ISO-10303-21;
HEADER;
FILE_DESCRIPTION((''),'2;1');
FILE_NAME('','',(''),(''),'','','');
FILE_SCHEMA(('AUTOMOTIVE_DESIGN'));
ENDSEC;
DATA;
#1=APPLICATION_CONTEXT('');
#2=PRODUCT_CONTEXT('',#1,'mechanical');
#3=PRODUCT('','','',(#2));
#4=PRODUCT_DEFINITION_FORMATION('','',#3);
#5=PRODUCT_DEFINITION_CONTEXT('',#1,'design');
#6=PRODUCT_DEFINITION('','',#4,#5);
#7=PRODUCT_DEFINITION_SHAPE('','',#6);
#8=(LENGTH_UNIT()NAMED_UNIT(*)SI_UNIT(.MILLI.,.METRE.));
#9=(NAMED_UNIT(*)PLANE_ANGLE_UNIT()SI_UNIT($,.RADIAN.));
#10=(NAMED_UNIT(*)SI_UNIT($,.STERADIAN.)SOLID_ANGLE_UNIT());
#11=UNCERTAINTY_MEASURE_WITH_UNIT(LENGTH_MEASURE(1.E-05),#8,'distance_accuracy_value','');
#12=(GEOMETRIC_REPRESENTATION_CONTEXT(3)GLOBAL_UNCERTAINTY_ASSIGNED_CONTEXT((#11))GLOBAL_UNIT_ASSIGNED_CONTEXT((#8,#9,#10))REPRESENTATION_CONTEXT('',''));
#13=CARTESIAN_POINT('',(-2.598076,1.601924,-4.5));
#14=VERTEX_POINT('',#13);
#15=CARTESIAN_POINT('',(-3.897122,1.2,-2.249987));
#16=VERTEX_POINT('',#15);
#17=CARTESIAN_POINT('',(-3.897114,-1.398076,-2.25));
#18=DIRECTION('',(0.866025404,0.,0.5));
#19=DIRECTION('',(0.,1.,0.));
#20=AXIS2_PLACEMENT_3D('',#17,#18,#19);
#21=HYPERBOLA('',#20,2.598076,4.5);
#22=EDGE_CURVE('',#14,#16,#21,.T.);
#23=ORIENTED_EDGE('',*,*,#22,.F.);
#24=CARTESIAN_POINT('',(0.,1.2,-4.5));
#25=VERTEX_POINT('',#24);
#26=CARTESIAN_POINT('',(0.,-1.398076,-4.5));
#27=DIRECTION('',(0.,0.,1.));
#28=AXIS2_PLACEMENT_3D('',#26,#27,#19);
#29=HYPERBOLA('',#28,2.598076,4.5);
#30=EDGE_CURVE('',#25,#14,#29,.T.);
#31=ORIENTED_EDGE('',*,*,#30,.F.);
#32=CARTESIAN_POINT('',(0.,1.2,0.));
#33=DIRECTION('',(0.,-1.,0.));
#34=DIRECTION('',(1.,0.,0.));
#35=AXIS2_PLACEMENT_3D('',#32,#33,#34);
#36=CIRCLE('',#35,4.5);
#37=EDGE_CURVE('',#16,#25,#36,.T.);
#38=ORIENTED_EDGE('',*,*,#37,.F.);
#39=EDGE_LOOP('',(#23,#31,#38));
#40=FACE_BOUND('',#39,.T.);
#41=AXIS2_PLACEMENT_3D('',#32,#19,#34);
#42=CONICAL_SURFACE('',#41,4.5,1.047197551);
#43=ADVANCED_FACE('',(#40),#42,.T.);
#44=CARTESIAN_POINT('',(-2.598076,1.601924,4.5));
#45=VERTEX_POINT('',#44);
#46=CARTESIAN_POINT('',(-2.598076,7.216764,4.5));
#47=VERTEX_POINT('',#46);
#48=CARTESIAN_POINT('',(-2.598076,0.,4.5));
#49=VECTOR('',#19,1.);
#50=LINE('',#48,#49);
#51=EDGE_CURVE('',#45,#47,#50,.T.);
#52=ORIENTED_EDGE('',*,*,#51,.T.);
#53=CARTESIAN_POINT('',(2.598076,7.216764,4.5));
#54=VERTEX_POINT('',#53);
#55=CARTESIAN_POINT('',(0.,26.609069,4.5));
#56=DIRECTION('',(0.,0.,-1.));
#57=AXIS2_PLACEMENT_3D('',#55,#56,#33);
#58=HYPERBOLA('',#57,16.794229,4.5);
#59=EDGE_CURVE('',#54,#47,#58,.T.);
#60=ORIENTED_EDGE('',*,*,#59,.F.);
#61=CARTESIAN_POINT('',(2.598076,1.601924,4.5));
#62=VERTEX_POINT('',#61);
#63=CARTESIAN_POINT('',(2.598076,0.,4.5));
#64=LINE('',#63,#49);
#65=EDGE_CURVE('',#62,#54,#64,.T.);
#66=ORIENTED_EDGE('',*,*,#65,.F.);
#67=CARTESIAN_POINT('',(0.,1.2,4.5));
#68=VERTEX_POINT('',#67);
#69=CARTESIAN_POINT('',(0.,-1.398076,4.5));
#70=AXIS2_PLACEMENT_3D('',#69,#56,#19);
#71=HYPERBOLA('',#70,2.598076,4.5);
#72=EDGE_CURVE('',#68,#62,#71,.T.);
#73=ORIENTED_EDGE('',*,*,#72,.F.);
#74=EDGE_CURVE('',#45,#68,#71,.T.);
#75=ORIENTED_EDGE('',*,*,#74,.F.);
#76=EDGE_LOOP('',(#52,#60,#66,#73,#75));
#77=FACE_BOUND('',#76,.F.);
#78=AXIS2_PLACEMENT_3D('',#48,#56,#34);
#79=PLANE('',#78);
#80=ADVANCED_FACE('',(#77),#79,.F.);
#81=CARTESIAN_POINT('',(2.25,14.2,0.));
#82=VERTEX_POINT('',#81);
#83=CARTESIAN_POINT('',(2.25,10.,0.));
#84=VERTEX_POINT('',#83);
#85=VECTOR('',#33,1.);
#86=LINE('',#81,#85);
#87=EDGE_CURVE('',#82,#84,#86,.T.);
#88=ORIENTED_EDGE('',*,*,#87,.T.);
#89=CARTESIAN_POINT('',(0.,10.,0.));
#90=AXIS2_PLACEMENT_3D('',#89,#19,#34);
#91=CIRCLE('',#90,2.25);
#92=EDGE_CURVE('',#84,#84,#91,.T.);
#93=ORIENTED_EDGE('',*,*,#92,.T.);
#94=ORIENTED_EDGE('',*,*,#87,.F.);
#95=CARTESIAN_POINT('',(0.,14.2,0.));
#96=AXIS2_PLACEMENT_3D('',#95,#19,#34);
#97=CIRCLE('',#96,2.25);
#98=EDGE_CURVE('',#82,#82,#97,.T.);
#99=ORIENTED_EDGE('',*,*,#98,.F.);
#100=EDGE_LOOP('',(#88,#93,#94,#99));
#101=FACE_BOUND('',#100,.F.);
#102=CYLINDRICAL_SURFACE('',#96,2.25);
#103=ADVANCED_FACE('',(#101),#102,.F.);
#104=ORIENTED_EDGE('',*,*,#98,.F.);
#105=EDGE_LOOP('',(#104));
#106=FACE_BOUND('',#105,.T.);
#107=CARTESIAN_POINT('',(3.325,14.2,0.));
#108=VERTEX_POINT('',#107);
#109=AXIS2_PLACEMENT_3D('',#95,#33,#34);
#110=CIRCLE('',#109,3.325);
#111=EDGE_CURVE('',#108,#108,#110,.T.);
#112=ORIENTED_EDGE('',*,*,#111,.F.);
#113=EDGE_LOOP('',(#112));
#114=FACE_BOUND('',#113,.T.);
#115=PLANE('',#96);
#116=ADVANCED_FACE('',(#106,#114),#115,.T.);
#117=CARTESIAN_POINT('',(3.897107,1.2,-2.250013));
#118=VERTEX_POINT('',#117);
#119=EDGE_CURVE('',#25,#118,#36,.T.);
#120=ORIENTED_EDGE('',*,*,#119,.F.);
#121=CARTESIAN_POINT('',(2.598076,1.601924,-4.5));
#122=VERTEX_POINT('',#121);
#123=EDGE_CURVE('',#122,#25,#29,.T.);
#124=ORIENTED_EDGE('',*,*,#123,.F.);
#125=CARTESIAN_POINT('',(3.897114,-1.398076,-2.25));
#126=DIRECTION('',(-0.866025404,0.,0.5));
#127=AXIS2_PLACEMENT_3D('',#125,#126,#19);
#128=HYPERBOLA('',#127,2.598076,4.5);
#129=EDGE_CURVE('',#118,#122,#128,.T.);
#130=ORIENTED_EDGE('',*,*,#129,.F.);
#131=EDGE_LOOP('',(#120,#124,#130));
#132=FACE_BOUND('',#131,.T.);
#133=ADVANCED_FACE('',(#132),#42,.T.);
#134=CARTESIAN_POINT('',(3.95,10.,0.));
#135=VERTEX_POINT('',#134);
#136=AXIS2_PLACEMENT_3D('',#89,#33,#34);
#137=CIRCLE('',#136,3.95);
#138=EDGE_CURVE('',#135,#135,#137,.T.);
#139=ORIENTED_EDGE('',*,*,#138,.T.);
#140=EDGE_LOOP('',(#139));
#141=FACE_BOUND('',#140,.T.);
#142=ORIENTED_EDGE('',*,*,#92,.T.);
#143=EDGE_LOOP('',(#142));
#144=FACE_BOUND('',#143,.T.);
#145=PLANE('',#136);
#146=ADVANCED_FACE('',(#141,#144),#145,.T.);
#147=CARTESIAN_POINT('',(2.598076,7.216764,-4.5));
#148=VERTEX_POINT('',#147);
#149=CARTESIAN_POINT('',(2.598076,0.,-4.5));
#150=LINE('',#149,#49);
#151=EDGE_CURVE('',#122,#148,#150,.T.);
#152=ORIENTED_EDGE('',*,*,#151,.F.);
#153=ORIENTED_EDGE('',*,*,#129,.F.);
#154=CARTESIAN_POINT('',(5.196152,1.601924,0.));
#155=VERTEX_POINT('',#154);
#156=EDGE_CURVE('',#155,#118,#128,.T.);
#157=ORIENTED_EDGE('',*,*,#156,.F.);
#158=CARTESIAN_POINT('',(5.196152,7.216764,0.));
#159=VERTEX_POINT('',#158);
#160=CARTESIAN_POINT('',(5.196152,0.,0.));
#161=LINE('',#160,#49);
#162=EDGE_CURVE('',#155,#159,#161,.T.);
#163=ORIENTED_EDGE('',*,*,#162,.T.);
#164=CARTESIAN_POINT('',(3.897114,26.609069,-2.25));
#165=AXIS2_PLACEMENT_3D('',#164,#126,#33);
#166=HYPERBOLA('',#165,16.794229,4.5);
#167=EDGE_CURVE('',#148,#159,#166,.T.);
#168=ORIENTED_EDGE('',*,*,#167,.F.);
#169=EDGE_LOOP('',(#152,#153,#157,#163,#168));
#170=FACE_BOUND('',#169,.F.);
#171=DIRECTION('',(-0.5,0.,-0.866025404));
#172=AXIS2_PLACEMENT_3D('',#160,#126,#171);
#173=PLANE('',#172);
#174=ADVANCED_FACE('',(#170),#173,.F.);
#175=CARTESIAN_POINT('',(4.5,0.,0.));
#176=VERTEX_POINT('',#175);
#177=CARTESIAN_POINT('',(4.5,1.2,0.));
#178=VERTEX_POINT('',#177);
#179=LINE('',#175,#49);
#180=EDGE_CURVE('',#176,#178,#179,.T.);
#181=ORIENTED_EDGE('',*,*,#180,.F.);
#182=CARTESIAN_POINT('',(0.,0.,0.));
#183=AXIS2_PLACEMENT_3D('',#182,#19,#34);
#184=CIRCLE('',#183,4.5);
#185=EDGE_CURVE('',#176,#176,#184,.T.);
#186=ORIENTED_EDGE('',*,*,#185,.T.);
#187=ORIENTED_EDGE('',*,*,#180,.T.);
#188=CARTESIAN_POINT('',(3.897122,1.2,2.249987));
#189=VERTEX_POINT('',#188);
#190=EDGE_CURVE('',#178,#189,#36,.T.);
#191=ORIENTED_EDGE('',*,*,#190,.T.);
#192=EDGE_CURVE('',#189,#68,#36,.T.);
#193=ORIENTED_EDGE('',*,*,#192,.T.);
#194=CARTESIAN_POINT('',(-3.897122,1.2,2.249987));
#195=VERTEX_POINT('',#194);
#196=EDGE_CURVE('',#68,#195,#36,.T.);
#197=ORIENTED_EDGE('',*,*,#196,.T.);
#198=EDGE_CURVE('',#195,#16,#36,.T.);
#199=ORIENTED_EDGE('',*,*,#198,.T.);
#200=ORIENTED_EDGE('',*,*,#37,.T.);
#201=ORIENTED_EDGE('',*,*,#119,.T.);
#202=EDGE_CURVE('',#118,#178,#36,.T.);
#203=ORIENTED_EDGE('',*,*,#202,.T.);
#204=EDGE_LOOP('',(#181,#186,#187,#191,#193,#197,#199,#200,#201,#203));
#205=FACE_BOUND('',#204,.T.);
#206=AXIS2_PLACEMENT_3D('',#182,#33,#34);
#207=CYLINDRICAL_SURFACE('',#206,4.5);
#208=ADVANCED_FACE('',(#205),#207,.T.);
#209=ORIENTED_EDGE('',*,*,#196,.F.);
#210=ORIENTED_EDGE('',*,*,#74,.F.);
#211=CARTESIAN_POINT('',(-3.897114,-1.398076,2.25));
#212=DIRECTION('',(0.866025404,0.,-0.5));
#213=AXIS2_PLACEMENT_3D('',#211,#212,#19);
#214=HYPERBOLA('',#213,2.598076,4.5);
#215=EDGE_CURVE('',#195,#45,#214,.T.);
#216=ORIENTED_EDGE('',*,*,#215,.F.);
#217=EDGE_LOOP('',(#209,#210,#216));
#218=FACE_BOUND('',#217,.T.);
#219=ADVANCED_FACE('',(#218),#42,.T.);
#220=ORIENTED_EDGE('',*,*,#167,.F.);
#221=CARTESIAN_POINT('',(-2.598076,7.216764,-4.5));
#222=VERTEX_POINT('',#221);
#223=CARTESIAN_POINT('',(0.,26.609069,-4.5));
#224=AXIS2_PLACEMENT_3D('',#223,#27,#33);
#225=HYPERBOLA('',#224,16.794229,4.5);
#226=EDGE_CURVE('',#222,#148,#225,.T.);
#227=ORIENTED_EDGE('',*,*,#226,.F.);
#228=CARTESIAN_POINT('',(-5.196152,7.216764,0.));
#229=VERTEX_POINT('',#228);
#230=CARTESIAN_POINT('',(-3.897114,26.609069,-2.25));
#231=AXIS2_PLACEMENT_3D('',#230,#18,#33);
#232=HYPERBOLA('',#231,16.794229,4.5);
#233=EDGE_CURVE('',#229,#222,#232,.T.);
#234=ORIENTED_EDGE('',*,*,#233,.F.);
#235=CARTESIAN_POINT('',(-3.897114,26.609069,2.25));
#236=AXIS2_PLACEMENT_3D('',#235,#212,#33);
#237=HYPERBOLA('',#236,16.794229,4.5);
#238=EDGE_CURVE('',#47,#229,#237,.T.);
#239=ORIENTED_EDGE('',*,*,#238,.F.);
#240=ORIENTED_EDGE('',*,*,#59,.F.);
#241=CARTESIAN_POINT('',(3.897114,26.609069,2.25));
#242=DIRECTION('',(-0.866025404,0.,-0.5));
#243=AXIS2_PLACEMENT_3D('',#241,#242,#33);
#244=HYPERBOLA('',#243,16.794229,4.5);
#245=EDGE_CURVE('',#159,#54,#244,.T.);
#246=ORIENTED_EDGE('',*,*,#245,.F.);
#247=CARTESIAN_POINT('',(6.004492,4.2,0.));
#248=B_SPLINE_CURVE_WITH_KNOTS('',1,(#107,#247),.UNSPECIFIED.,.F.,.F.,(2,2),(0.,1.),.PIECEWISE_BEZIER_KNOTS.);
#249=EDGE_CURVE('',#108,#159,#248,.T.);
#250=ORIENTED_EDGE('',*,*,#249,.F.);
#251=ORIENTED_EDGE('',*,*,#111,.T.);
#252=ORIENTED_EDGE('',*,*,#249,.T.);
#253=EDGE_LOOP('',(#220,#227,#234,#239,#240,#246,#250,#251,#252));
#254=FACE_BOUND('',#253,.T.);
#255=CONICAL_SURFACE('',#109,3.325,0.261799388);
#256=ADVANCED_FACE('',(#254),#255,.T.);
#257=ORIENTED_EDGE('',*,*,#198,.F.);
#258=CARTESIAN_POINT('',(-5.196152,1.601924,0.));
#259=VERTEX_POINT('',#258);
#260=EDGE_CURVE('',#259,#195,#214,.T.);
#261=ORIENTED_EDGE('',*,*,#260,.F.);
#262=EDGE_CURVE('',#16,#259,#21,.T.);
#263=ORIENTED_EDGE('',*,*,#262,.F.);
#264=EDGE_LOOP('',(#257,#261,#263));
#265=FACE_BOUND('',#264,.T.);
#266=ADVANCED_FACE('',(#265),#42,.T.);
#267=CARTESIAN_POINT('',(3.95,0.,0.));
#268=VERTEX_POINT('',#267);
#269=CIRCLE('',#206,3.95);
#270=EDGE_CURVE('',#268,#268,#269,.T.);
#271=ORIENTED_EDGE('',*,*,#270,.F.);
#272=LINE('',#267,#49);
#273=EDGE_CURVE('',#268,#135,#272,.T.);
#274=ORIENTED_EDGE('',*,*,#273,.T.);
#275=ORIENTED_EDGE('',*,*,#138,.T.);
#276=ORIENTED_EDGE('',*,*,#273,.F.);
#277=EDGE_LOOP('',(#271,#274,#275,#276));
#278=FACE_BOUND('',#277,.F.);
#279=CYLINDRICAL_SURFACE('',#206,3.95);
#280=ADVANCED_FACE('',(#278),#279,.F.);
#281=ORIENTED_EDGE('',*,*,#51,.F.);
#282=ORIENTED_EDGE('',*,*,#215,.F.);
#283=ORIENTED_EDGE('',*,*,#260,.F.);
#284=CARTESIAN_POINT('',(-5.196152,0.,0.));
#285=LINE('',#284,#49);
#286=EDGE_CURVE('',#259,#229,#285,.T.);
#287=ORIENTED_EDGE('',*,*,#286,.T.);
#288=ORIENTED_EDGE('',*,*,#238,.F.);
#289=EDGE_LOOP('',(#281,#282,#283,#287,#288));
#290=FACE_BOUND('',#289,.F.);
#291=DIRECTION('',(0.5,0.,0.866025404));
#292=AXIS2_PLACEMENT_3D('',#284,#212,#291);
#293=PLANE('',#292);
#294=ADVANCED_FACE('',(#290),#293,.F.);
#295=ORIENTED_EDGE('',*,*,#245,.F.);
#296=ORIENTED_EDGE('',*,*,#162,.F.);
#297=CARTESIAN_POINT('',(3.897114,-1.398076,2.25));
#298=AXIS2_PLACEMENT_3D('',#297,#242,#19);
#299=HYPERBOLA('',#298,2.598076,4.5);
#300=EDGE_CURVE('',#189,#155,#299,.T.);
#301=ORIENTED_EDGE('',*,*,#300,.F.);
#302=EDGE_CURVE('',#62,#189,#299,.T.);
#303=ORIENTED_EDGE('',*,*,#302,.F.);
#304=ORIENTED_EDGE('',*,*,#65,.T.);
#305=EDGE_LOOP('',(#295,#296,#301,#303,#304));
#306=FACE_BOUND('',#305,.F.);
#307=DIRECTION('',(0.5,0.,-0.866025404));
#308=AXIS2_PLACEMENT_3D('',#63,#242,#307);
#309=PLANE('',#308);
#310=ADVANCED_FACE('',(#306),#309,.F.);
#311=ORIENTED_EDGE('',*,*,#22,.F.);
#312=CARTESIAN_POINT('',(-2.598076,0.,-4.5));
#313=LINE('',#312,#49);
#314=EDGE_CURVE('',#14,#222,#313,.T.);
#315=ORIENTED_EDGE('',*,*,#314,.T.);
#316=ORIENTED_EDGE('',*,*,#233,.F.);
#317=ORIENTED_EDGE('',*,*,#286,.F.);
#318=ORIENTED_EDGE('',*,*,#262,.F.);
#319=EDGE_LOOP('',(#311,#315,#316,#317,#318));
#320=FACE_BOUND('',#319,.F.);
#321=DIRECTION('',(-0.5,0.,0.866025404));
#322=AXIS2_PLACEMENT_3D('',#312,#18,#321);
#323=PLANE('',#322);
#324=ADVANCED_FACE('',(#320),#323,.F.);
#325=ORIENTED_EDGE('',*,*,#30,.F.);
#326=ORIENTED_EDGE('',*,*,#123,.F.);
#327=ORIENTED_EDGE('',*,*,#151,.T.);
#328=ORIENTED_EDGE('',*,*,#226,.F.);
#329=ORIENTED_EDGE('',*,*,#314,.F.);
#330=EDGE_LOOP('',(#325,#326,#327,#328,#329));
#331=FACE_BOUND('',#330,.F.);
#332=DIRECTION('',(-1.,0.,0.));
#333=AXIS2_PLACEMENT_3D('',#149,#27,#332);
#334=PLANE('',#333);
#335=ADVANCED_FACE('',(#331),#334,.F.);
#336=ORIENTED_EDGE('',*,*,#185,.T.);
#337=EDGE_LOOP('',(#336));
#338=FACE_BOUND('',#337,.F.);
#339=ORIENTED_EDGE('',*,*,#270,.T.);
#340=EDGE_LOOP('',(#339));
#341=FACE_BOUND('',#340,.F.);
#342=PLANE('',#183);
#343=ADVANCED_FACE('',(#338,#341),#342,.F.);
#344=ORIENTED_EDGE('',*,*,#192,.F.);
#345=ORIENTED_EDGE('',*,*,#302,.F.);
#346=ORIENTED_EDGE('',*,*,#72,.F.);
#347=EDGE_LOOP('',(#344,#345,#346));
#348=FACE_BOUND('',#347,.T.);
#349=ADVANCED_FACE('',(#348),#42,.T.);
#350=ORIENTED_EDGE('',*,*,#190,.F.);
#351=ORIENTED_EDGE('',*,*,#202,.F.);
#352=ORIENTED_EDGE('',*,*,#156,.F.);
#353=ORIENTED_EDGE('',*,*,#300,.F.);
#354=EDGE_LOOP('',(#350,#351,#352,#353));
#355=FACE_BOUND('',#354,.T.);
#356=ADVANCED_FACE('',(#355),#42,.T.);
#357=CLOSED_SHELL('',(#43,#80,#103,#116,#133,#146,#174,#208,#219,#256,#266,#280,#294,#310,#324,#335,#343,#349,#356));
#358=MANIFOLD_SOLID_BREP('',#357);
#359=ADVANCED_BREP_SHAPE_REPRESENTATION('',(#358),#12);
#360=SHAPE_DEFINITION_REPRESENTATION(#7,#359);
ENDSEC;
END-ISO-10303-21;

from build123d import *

# Parameters (mm, degrees)
BOSS_EXTRUDE1_DEPTH = 14.2
SKETCH2_R           = 2.25
CUT_EXTRUDE1_DEPTH  = 15.2
SKETCH3_R           = 3.95
CUT_EXTRUDE2_DEPTH  = 10
SKETCH4_OUTSIDE_W   = 21.704
SKETCH4_OUTSIDE_H   = 20.312
SKETCH4_OUTSIDE_R   = 3.325
CUT_EXTRUDE3_DEPTH  = 10
CUT_EXTRUDE3_TAPER  = 15
SKETCH5_OUTSIDE_W   = 16.344
SKETCH5_OUTSIDE_H   = 14.952
SKETCH5_OUTSIDE_R   = 4.5
CUT_EXTRUDE4_DEPTH  = 1.2
SKETCH6_OUTSIDE_W   = 50.986
SKETCH6_OUTSIDE_H   = 49.594
SKETCH6_OUTSIDE_R   = 4.5
CUT_EXTRUDE5_DEPTH  = 10
CUT_EXTRUDE5_TAPER  = 60


with BuildPart() as part:
    # Sketch1 → Boss-Extrude1 (new body)
    with BuildSketch(Plane(origin=(0, 0, 0), x_dir=(1, 0, 0), z_dir=(0, 1, 0))):
        Polygon((-2.598076211, -4.5), (2.598076211, -4.5), (5.196152423, 0), (2.598076211, 4.5), (-2.598076211, 4.5), (-5.196152423, 0), align=None)
    extrude(amount=BOSS_EXTRUDE1_DEPTH)

    # Sketch2 → Cut-Extrude1 (cut, through all)
    with BuildSketch(Plane(origin=(0, 14.2, 0), x_dir=(1, 0, 0), z_dir=(0, 1, 0))):
        Circle(SKETCH2_R)
    extrude(amount=-CUT_EXTRUDE1_DEPTH, mode=Mode.SUBTRACT)

    # Sketch3 → Cut-Extrude2 (cut)
    with BuildSketch(Plane.XZ):
        Circle(SKETCH3_R)
    extrude(amount=-CUT_EXTRUDE2_DEPTH, mode=Mode.SUBTRACT)

    # Sketch4 outside → Cut-Extrude3 (cut)
    with BuildSketch(Plane(origin=(0, 14.2, 0), x_dir=(1, 0, 0), z_dir=(0, 1, 0))):
        Rectangle(SKETCH4_OUTSIDE_W, SKETCH4_OUTSIDE_H)
        Circle(SKETCH4_OUTSIDE_R, mode=Mode.SUBTRACT)
    extrude(amount=-CUT_EXTRUDE3_DEPTH, taper=CUT_EXTRUDE3_TAPER, mode=Mode.SUBTRACT)

    # Sketch5 outside → Cut-Extrude4 (cut)
    with BuildSketch(Plane.XZ):
        Rectangle(SKETCH5_OUTSIDE_W, SKETCH5_OUTSIDE_H)
        Circle(SKETCH5_OUTSIDE_R, mode=Mode.SUBTRACT)
    extrude(amount=-CUT_EXTRUDE4_DEPTH, mode=Mode.SUBTRACT)

    # Sketch6 outside → Cut-Extrude5 (cut)
    with BuildSketch(Plane.XZ.offset(-1.2)):
        Rectangle(SKETCH6_OUTSIDE_W, SKETCH6_OUTSIDE_H)
        Circle(SKETCH6_OUTSIDE_R, mode=Mode.SUBTRACT)
    extrude(amount=-CUT_EXTRUDE5_DEPTH, taper=CUT_EXTRUDE5_TAPER, mode=Mode.SUBTRACT)


solid = part.part
